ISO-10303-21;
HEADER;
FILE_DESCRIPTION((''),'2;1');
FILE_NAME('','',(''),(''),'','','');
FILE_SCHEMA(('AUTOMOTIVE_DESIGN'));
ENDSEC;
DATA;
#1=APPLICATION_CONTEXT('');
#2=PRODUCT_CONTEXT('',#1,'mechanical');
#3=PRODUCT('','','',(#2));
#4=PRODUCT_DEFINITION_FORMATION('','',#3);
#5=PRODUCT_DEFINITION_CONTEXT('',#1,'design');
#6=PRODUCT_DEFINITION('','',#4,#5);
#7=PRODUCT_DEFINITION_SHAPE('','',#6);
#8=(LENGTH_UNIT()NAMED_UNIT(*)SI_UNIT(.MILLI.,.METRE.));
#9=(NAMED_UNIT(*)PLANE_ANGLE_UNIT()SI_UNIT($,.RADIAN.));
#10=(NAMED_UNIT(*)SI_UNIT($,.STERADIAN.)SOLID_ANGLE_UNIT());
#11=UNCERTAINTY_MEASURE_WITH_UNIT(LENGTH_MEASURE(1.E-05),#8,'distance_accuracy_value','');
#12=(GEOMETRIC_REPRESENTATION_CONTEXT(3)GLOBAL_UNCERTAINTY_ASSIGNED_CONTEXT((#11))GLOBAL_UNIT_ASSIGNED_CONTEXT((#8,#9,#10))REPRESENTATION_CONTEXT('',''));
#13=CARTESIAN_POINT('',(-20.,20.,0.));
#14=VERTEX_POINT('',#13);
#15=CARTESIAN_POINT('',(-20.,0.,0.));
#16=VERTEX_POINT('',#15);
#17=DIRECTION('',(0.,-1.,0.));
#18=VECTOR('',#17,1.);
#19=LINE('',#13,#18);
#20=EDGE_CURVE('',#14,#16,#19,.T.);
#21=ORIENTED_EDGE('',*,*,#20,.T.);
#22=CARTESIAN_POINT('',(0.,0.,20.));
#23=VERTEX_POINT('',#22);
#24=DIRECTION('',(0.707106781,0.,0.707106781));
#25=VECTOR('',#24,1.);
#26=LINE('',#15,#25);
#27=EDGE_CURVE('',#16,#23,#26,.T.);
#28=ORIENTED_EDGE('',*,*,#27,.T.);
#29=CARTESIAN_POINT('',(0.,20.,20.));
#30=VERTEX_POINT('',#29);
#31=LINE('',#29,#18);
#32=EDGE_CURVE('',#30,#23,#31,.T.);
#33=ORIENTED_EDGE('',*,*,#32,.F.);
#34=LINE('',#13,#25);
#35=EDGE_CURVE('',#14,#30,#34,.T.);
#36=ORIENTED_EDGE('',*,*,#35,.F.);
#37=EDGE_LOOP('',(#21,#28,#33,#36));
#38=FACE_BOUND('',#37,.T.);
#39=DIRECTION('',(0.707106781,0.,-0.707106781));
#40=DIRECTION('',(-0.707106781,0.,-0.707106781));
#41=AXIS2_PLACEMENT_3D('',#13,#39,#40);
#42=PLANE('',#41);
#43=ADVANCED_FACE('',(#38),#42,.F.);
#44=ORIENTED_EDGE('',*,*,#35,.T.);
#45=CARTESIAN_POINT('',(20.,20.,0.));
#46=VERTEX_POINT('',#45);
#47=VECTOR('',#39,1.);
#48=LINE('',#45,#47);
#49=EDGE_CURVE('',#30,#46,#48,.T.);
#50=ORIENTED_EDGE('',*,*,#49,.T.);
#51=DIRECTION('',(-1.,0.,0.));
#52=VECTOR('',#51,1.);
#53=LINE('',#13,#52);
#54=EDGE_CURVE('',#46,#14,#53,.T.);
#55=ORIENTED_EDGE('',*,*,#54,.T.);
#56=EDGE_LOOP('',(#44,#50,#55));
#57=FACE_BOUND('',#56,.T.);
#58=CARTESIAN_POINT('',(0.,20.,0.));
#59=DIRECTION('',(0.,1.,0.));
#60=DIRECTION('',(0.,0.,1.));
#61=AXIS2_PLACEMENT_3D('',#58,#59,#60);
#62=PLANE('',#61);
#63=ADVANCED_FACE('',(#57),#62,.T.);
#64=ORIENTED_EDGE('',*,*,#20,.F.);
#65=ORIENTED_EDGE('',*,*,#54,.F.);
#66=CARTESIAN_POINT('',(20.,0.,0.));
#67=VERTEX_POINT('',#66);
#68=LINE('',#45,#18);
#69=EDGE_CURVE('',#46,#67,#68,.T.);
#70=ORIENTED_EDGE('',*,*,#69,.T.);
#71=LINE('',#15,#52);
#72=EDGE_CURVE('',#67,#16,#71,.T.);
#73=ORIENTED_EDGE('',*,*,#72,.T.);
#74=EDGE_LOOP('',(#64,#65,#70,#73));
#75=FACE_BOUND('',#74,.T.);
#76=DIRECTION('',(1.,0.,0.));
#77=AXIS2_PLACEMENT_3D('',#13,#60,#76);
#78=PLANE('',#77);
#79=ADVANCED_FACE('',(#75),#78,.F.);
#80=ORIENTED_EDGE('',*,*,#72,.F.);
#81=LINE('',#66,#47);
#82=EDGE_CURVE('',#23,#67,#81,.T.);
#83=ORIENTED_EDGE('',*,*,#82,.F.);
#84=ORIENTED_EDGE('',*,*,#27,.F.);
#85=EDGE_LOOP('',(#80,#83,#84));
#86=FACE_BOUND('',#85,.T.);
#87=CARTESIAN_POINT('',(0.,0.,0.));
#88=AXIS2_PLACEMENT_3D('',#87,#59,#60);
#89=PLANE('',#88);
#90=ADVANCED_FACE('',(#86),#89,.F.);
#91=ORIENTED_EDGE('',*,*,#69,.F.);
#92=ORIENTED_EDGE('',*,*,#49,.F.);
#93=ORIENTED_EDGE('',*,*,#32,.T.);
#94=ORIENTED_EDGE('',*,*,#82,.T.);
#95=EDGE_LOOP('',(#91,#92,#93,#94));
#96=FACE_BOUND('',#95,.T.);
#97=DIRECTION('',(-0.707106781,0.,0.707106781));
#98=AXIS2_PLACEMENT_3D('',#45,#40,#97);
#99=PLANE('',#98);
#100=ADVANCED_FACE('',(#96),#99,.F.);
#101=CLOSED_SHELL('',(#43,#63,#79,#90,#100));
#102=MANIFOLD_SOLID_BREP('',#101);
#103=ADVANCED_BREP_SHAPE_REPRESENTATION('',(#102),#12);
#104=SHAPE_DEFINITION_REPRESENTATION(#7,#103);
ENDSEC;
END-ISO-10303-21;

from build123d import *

# Parameters (mm, degrees)
BOSS_EXTRUDE1_DEPTH = 20


with BuildPart() as part:
    # Sketch1 → Boss-Extrude1 (new body)
    with BuildSketch(Plane(origin=(0, 0, 0), x_dir=(1, 0, 0), z_dir=(0, 1, 0))):
        Polygon((-20, 0), (20, 0), (0, -20), align=None)
    extrude(amount=BOSS_EXTRUDE1_DEPTH)


solid = part.part
